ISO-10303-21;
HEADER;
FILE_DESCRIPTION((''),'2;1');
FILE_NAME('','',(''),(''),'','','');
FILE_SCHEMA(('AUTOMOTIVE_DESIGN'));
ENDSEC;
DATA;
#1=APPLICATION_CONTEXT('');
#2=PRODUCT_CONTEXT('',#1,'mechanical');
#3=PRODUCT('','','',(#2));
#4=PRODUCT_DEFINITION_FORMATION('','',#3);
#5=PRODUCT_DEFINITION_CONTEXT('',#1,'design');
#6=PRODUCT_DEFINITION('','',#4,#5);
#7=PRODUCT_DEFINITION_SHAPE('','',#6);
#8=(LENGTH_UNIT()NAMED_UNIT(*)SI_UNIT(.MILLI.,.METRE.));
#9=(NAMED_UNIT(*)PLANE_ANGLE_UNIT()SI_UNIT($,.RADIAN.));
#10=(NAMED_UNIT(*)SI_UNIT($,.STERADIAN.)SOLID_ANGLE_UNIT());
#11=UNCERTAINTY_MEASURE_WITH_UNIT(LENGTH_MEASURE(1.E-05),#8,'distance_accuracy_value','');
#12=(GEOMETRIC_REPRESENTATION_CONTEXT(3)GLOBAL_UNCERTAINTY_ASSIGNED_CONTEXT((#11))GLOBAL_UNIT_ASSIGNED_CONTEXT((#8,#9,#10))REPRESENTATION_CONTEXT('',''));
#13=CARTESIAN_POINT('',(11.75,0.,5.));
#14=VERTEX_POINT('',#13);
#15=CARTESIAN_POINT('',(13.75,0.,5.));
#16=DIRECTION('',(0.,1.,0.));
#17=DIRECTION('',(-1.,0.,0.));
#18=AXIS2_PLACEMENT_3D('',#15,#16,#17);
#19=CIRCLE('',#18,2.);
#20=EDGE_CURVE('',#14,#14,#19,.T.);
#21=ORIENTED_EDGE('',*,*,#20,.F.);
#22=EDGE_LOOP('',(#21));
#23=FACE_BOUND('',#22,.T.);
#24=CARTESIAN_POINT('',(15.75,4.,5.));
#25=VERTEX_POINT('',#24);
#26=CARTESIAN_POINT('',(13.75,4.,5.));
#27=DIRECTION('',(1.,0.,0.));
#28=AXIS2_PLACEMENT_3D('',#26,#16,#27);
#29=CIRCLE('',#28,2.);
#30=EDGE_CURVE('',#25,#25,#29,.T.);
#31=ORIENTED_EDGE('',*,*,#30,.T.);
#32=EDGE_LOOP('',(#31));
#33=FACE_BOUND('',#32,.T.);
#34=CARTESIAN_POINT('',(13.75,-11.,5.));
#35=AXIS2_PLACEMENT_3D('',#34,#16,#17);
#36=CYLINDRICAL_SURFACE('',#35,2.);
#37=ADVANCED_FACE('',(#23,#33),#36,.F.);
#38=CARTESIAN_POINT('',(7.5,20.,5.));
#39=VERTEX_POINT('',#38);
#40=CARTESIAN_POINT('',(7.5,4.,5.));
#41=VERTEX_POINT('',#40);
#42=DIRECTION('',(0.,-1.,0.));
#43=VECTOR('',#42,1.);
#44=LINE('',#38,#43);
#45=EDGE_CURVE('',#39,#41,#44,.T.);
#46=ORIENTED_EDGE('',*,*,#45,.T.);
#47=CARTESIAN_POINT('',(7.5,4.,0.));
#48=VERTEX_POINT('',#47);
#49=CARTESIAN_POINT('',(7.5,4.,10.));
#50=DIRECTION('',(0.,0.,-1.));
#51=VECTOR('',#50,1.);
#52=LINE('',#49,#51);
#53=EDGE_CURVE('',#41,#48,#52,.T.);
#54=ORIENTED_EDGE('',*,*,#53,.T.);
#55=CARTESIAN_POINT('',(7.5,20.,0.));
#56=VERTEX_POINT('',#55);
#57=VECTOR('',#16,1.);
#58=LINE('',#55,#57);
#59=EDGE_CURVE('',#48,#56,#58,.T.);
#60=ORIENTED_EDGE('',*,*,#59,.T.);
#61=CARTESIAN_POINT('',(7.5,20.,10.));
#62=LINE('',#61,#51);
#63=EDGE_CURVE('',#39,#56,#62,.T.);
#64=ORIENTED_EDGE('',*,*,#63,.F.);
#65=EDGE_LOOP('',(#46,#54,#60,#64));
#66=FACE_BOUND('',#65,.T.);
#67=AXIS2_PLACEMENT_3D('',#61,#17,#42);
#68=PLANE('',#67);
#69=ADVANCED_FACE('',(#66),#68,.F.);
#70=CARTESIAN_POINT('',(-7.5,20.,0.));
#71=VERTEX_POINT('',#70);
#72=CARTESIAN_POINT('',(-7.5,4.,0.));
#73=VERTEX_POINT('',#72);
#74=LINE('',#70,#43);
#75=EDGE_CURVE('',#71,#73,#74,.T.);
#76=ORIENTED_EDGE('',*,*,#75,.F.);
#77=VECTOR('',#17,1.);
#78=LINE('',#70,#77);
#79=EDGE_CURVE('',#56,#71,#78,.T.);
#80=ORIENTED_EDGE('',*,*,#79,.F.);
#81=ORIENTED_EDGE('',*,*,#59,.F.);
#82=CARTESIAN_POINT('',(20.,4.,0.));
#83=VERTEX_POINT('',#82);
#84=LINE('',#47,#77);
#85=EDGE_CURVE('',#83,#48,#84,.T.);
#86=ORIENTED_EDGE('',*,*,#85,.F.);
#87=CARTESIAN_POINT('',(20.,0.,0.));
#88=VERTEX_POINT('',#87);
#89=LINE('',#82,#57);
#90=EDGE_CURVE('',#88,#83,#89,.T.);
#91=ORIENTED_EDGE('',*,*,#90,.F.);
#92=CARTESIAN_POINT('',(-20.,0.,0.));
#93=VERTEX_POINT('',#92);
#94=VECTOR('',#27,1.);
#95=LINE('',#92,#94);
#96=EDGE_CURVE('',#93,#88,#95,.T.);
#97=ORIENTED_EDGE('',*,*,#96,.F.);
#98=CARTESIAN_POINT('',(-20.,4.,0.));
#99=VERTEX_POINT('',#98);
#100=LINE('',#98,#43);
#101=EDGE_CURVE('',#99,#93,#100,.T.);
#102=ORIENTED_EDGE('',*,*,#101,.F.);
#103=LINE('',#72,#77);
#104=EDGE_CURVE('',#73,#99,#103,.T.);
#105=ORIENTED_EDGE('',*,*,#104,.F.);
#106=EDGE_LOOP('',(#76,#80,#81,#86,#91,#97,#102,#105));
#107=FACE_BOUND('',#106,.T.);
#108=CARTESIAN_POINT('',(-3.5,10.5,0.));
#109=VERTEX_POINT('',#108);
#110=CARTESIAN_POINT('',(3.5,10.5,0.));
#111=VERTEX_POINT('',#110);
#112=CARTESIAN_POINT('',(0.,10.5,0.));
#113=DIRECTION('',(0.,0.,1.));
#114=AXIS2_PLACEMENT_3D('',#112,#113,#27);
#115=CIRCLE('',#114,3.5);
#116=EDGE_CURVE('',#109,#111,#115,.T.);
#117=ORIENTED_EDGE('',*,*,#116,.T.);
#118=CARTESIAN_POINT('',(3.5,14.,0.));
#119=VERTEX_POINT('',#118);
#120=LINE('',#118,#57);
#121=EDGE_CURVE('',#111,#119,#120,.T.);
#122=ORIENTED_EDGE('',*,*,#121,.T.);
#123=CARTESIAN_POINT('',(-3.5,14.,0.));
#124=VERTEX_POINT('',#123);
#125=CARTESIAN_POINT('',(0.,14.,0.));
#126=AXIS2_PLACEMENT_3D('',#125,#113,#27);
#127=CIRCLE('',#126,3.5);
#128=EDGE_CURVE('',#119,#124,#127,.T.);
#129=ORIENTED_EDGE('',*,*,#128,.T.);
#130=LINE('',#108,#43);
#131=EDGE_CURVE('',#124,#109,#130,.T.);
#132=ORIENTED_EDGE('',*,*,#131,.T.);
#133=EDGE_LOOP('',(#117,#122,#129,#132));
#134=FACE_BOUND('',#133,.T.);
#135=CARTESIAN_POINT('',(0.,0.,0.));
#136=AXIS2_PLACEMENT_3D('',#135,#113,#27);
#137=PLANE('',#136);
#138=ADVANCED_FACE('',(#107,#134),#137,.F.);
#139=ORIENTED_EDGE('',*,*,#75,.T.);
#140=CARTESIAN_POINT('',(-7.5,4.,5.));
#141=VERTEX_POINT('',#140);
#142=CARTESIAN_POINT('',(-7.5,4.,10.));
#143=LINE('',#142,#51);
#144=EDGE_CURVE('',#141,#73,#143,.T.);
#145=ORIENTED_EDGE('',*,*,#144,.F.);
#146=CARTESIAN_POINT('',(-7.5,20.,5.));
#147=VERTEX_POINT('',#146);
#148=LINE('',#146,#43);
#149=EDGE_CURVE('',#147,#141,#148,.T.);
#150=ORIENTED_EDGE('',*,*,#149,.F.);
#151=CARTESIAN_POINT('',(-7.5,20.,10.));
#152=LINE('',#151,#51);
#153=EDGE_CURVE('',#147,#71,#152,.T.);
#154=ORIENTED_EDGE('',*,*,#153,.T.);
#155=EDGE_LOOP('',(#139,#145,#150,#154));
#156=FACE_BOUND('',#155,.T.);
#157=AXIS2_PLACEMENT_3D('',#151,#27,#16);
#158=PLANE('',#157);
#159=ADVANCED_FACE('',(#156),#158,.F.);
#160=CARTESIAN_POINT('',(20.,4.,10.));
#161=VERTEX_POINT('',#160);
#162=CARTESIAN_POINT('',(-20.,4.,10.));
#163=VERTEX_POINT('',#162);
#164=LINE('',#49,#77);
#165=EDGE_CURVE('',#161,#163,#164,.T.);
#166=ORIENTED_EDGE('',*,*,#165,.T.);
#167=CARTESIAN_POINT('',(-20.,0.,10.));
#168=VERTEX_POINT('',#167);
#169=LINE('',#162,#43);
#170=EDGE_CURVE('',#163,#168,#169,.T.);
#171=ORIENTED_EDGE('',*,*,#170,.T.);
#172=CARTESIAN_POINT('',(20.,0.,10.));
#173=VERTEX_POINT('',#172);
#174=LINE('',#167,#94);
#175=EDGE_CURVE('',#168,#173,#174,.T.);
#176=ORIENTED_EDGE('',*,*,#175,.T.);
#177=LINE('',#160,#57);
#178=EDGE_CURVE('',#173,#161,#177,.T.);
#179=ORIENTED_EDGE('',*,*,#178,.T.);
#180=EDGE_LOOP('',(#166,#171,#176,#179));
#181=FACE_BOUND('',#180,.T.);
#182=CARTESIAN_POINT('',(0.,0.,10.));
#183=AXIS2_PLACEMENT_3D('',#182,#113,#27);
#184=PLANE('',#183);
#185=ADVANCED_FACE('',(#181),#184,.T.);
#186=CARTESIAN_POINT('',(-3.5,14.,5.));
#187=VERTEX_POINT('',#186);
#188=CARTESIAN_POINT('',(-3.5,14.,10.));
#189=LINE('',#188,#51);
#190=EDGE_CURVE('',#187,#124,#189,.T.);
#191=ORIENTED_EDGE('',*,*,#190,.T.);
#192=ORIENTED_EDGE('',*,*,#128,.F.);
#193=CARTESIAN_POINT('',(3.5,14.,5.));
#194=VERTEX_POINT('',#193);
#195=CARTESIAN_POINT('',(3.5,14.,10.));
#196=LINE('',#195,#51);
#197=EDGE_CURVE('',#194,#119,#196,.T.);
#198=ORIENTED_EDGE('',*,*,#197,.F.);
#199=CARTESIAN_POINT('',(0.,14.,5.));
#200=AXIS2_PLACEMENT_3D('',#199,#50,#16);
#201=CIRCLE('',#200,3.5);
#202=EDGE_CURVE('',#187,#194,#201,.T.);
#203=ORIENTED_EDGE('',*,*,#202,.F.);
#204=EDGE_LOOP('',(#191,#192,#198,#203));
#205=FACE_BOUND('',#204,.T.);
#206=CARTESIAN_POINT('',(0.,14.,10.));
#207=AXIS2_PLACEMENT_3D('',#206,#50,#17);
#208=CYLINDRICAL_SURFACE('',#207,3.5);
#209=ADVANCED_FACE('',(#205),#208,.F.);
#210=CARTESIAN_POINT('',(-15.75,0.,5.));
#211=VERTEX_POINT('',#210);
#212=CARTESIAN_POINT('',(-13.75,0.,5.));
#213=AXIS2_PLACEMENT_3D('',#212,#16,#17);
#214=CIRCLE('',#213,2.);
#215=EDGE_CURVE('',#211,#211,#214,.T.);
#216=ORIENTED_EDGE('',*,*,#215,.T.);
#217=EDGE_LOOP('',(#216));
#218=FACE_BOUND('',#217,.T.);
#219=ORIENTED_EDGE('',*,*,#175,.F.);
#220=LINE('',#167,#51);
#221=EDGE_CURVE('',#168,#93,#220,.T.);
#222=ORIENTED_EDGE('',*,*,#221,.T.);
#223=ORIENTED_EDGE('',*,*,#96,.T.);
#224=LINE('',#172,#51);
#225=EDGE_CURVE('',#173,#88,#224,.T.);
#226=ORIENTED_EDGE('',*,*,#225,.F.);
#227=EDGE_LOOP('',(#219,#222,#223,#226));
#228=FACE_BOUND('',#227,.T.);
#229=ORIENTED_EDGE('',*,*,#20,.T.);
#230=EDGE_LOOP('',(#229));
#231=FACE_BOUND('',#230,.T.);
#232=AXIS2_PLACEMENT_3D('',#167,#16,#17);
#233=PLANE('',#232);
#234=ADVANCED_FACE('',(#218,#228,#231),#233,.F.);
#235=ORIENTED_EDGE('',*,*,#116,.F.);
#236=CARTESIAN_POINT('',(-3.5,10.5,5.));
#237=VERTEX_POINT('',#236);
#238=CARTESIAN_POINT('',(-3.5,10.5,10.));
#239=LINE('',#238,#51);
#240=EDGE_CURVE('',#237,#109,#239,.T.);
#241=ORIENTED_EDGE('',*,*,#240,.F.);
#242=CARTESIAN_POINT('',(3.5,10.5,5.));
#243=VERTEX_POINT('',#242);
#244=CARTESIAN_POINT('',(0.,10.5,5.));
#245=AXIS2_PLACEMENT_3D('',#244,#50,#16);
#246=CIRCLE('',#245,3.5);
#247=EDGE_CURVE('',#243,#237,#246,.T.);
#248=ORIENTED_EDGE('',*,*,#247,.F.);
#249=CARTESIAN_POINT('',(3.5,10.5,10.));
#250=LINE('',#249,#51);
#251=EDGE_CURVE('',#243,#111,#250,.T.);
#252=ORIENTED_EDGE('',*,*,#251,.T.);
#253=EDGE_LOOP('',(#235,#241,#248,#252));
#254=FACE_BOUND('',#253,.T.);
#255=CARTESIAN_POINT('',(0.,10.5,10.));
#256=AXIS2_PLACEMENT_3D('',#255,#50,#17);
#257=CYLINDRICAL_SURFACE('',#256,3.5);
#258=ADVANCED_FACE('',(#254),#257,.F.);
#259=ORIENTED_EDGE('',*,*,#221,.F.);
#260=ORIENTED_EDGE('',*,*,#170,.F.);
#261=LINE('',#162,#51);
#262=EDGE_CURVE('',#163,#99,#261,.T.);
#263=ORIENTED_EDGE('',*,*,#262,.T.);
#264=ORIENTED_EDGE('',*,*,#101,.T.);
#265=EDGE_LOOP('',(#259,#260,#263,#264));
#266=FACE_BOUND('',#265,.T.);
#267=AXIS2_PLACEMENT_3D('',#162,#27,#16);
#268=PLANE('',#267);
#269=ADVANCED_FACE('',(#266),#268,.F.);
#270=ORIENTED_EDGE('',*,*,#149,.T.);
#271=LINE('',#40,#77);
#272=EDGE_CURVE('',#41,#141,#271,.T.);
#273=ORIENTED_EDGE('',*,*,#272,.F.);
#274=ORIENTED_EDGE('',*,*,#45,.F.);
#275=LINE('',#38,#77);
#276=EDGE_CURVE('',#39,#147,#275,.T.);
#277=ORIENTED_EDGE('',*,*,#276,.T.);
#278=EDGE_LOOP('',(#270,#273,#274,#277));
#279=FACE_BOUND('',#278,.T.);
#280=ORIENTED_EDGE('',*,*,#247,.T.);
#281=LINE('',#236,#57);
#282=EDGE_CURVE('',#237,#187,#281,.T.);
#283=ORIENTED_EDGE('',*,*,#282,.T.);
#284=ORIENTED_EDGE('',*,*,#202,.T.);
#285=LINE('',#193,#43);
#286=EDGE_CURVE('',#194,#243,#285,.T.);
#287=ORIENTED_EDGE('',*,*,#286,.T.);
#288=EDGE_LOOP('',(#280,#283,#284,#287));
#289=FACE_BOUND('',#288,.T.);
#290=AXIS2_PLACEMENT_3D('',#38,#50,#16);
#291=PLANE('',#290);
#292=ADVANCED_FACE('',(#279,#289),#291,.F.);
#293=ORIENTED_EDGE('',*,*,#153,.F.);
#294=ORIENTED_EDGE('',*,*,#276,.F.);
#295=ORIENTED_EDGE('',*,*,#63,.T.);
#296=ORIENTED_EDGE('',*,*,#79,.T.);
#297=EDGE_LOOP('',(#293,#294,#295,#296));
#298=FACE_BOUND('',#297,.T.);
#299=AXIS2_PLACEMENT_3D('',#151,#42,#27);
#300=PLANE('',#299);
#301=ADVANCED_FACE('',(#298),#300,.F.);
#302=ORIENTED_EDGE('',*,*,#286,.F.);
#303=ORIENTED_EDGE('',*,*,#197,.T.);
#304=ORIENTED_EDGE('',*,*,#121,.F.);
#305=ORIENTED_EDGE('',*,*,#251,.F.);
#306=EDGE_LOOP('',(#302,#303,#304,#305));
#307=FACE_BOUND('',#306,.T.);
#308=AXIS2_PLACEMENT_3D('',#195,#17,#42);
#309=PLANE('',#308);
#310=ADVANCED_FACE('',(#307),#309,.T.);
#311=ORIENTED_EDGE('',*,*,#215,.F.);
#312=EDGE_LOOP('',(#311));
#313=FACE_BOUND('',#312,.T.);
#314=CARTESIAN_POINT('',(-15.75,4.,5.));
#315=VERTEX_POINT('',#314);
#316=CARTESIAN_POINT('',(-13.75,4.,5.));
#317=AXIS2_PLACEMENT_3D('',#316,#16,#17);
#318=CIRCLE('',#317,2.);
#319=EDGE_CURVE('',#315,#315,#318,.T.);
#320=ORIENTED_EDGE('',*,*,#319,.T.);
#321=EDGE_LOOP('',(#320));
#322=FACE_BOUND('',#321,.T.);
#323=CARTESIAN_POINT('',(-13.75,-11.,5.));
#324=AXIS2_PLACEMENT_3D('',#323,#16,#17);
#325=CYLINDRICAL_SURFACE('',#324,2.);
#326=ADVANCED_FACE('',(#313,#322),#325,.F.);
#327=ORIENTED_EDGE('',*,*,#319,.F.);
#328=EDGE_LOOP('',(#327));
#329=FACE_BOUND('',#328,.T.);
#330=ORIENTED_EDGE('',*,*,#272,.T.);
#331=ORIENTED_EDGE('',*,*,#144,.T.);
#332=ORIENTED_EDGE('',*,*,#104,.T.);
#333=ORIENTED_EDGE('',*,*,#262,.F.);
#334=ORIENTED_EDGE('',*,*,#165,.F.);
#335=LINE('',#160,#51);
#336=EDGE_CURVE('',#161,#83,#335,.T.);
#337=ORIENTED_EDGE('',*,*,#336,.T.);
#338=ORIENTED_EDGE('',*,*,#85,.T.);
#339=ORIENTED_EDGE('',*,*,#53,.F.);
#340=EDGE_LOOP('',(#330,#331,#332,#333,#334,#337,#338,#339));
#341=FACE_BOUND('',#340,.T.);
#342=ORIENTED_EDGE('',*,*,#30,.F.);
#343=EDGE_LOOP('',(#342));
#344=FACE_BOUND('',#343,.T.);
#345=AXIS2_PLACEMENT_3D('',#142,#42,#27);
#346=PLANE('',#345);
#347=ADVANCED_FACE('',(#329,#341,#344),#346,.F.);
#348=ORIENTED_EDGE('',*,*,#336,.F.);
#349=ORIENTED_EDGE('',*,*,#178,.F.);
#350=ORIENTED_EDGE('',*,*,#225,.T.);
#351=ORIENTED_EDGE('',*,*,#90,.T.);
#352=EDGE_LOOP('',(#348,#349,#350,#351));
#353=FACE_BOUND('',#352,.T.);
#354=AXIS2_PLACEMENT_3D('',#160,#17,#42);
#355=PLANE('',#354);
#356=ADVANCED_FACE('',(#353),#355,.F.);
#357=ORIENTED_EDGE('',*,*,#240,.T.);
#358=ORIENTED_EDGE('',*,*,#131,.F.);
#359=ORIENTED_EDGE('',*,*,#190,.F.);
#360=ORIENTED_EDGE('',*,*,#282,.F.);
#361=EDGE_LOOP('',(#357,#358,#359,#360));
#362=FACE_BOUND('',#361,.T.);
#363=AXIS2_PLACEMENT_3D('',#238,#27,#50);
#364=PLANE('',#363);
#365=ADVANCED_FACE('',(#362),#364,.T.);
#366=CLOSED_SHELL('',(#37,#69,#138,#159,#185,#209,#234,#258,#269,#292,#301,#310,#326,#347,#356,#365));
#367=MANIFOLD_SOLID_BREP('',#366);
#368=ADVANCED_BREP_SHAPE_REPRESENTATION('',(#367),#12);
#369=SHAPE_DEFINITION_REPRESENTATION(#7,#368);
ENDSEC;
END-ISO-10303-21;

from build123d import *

# Parameters (mm, degrees)
RESSALTO_EXTRUS_O2_DEPTH = 10
ESBO_O5_R                = 2
CORTE_EXTRUS_O3_DEPTH    = 15
ESBO_O6_W                = 5
ESBO_O6_H                = 16
CORTE_EXTRUS_O4_DEPTH    = 15


with BuildPart() as part:
    # Esboço4 → Ressalto-extrusão2 (new body)
    with BuildSketch(Plane.XY):
        Polygon((-7.5, 20), (-7.5, 4), (-20, 4), (-20, 0), (20, 0), (20, 4), (7.5, 4), (7.5, 20), align=None)
        with BuildLine():
            Line((3.5, 14), (3.5, 10.5))
            ThreePointArc((3.5, 10.5), (0, 7), (-3.5, 10.5))
            Line((-3.5, 10.5), (-3.5, 14))
            ThreePointArc((-3.5, 14), (0, 17.5), (3.5, 14))
        make_face(mode=Mode.SUBTRACT)
    extrude(amount=RESSALTO_EXTRUS_O2_DEPTH)

    # Esboço5 → Corte-extrusão3 (cut)
    with BuildSketch(Plane(origin=(0, 4, 0), x_dir=(1, 0, 0), z_dir=(0, 1, 0))):
        with Locations((-13.75, -5)):
            Circle(ESBO_O5_R)
        with Locations((13.75, -5)):
            Circle(ESBO_O5_R)
    extrude(amount=-CORTE_EXTRUS_O3_DEPTH, mode=Mode.SUBTRACT)

    # Esboço6 → Corte-extrusão4 (cut)
    with BuildSketch(Plane.ZY.offset(7.5)):
        with Locations((7.5, 12)):
            Rectangle(ESBO_O6_W, ESBO_O6_H)
    extrude(amount=-CORTE_EXTRUS_O4_DEPTH, mode=Mode.SUBTRACT)


solid = part.part
